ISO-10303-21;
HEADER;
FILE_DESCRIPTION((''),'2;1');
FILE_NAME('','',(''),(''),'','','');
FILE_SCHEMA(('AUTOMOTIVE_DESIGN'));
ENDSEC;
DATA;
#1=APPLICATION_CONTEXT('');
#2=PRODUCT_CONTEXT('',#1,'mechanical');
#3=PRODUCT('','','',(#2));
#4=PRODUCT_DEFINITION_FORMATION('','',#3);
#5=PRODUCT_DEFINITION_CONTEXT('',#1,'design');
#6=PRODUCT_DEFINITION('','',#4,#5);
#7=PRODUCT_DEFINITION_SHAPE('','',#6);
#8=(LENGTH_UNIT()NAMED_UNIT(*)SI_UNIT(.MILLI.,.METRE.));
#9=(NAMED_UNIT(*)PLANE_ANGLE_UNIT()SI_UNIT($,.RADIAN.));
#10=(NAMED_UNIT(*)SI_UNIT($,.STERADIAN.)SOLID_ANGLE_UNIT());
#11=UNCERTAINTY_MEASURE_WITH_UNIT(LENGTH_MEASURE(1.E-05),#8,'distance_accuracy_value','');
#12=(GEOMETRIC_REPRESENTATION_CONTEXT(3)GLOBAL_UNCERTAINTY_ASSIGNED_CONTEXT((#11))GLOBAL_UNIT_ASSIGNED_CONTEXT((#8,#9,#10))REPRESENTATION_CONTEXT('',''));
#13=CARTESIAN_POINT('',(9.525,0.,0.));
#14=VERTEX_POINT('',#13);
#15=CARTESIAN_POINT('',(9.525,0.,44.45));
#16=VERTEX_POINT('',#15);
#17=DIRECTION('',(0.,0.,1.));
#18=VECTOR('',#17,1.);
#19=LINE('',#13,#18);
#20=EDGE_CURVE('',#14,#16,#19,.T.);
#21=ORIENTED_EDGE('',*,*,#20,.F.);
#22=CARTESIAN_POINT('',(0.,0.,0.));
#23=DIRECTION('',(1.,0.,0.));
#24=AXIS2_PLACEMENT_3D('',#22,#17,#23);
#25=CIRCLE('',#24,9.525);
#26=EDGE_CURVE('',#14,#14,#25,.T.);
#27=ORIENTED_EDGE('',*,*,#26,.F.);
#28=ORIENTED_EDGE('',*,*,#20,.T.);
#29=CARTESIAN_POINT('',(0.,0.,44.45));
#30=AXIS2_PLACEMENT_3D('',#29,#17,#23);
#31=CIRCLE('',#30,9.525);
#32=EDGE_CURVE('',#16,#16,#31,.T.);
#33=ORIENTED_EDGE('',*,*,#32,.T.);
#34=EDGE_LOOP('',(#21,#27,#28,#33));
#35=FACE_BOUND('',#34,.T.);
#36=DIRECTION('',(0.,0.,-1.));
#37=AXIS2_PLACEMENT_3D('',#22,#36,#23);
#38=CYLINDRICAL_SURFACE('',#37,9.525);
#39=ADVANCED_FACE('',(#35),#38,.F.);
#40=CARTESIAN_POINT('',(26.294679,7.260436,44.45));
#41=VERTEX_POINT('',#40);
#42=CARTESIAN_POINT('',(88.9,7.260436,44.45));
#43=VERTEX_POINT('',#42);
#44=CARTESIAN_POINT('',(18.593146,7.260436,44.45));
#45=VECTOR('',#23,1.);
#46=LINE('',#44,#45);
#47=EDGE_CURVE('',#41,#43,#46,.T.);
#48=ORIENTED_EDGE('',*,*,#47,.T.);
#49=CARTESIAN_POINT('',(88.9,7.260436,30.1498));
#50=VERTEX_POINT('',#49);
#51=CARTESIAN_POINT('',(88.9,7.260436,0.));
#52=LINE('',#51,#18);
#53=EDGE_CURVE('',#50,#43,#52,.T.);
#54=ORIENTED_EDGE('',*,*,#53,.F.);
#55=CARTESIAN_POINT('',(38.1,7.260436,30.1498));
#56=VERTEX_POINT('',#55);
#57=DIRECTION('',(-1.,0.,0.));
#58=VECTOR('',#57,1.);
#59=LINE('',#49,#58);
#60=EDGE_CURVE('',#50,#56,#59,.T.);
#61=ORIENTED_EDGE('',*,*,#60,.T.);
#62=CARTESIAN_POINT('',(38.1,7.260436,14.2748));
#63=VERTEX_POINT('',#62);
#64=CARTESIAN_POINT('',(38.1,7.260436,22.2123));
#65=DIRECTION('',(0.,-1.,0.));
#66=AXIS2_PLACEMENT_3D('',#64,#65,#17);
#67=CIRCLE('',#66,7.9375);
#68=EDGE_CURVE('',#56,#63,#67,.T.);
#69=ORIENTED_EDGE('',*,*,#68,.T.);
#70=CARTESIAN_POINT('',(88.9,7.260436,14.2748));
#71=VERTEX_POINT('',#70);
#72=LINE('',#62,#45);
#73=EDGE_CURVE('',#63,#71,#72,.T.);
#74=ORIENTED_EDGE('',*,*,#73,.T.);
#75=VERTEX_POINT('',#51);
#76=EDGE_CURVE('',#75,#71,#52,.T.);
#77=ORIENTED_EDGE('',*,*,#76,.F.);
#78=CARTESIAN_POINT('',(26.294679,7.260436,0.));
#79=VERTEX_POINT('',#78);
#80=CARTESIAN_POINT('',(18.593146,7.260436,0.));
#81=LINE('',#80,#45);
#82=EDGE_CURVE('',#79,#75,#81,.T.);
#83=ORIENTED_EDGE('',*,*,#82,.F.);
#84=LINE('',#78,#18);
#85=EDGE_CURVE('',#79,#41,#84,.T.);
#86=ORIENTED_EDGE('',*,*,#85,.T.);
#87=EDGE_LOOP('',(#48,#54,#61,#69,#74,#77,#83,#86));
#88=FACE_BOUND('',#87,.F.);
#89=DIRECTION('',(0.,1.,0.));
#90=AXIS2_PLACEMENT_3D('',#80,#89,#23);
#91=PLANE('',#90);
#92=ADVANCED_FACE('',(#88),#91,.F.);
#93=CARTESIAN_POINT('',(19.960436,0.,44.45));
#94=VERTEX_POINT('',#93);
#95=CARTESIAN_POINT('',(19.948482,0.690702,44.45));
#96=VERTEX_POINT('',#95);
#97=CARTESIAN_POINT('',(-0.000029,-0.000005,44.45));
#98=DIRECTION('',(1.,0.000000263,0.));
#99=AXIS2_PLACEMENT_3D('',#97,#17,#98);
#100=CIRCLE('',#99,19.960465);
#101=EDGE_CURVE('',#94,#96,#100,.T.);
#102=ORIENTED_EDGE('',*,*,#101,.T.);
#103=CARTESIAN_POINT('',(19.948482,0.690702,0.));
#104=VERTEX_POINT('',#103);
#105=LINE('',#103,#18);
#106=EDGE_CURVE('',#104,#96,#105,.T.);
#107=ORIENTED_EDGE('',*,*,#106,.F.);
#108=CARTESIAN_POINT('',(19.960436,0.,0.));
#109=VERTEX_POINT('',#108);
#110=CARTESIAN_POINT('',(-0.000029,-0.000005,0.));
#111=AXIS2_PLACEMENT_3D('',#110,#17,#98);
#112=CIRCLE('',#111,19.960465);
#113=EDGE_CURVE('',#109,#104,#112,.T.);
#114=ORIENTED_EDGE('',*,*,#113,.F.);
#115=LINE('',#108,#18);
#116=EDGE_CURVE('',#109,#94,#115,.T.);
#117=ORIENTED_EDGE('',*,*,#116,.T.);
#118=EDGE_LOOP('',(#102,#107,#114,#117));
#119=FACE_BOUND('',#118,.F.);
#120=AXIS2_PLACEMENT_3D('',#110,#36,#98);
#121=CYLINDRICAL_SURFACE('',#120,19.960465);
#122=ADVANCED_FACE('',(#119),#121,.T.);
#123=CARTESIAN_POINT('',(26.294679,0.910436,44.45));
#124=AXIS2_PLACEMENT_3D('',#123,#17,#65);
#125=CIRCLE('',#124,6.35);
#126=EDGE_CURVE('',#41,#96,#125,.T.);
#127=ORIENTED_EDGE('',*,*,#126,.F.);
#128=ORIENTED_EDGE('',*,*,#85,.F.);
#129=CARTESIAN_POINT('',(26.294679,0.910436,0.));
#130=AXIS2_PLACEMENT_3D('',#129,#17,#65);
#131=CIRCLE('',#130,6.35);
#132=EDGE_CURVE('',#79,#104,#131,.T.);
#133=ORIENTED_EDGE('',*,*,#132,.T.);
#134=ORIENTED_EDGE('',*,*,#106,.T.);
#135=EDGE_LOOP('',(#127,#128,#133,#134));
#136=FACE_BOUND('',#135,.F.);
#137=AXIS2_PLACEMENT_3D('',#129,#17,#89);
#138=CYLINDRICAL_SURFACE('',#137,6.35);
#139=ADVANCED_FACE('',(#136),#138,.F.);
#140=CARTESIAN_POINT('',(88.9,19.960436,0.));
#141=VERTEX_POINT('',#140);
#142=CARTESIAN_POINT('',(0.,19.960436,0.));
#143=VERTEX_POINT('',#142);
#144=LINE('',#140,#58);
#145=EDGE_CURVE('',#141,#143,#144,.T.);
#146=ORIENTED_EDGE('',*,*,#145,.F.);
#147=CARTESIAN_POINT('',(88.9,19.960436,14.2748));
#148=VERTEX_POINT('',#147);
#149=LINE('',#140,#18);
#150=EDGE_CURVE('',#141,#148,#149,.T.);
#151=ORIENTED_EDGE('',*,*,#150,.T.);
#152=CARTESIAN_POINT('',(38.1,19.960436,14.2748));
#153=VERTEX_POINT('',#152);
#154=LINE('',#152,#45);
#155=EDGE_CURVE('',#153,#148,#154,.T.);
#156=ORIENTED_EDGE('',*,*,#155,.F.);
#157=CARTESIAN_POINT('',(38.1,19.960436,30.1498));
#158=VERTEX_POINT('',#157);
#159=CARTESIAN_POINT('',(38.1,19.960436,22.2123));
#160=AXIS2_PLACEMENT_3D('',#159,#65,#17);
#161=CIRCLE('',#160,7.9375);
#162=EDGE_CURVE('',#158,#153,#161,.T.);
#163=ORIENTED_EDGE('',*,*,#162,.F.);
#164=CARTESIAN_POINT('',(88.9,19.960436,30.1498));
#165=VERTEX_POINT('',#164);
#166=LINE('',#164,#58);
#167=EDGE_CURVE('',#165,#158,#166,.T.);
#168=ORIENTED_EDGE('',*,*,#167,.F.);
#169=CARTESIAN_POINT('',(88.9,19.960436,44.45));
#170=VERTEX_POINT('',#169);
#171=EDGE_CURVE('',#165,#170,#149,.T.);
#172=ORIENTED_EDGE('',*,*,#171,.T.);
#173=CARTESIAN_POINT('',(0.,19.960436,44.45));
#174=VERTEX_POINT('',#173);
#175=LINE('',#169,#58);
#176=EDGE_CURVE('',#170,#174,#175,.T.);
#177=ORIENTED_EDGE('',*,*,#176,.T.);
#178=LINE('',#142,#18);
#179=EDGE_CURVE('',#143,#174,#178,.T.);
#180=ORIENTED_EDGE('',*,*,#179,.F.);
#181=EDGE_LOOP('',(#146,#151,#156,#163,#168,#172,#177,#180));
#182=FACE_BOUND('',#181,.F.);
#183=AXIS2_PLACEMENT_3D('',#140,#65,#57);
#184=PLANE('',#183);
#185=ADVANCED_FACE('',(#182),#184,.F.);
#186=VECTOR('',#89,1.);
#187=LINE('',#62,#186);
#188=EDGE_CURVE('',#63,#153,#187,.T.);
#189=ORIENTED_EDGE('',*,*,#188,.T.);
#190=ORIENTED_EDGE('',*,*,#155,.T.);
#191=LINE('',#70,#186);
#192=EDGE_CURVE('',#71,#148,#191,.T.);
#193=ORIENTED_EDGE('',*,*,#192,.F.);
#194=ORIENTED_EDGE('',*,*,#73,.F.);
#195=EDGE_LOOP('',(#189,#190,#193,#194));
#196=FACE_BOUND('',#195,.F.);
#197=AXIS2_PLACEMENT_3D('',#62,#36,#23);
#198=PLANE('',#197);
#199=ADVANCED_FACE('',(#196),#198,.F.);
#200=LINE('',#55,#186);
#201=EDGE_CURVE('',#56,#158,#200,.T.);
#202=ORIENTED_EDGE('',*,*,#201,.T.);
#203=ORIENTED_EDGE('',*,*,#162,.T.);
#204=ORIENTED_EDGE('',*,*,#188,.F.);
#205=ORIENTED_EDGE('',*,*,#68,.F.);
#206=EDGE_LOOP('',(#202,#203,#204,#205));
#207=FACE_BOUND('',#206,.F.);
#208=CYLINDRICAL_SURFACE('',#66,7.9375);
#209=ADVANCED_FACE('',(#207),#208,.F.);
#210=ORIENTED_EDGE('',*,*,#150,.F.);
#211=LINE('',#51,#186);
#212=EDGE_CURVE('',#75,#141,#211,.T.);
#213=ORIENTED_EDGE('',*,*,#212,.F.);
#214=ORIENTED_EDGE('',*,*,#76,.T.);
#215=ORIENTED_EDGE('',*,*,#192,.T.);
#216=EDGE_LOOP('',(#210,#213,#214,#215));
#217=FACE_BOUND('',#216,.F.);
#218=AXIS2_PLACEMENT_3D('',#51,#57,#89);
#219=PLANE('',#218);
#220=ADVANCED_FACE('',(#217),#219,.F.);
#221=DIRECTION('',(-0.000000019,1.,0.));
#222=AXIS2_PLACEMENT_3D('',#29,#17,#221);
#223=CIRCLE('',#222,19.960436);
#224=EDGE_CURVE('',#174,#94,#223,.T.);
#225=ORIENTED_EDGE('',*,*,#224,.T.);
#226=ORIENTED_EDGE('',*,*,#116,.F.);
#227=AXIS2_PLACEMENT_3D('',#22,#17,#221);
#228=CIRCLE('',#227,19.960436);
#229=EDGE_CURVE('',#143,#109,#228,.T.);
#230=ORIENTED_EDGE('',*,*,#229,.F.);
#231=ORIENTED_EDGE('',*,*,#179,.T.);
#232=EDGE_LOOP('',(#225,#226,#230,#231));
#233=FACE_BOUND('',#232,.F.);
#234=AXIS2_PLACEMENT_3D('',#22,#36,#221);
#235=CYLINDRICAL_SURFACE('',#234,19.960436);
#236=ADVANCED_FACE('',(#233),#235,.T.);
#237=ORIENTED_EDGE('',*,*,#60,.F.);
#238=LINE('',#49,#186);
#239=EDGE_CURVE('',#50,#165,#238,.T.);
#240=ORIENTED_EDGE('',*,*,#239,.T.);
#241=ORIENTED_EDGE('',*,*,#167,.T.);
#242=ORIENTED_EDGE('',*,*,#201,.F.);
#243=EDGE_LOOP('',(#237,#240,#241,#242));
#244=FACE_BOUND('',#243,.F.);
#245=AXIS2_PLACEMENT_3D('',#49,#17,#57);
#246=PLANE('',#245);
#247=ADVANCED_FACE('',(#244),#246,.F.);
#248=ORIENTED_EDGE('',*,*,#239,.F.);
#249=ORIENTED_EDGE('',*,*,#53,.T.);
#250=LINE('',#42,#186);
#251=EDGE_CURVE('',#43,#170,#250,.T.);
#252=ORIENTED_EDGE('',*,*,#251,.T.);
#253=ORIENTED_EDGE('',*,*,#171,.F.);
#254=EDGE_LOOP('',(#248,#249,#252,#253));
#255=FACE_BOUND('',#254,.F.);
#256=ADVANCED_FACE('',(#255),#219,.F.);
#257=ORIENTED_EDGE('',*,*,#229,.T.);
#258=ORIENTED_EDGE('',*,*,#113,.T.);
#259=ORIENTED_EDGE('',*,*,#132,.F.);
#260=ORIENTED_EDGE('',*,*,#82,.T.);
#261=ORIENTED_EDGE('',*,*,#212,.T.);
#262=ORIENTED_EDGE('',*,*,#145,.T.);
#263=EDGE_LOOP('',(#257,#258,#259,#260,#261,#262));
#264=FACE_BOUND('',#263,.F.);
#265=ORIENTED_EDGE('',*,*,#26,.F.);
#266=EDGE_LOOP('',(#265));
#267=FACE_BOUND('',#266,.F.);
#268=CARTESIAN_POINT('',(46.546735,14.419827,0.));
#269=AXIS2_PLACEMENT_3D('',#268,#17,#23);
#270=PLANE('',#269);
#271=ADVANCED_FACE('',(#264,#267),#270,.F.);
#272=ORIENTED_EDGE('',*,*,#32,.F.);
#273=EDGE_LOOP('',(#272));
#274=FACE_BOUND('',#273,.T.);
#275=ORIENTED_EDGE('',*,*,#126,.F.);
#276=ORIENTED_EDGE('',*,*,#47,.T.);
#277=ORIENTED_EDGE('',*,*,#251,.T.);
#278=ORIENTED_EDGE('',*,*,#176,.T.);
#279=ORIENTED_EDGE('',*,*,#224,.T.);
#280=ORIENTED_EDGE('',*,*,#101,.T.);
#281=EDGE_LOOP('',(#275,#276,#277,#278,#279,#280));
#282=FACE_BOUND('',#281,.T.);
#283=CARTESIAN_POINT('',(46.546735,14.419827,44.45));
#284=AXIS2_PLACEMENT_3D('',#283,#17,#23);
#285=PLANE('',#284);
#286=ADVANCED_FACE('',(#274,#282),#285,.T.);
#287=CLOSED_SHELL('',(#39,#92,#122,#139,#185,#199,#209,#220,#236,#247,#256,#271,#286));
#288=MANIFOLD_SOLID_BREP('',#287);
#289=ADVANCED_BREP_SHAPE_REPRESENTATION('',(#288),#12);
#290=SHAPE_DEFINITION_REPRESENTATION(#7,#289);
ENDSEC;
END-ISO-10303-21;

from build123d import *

# Parameters (mm, degrees)
F0_R     = 9.525
F1_DEPTH = 44.45
F3_DEPTH = 12.7
F4_R     = 6.35


with BuildPart() as f1:
    # F0 (on Top) → F1 (new body)
    with BuildSketch(Plane.XY):
        with BuildLine():
            ThreePointArc((0, 19.960436), (11.258275, 16.482422), (18.593146, 7.260436))
            Line((18.593146, 7.260436), (88.9, 7.260436))
            Line((88.9, 7.260436), (88.9, 19.960436))
            Line((88.9, 19.960436), (0, 19.960436))
        make_face()
        with BuildLine():
            ThreePointArc((0, 19.960436), (-14.114159, -14.114159), (19.960436, 0))
            ThreePointArc((19.960436, 0), (19.615635, 3.694029), (18.593146, 7.260436))
            ThreePointArc((18.593146, 7.260436), (11.258275, 16.482422), (0, 19.960436))
        make_face()
        Circle(F0_R, mode=Mode.SUBTRACT)
    extrude(amount=F1_DEPTH)

    # F2 (on face) → F3 (cut)
    with BuildSketch(Plane.XZ.offset(-7.260436)):
        with BuildLine():
            Line((88.9, 14.2748), (88.9, 30.1498))
            Line((88.9, 30.1498), (38.1, 30.1498))
            ThreePointArc((38.1, 30.1498), (43.71266, 27.82496), (46.0375, 22.2123))
            ThreePointArc((46.0375, 22.2123), (43.71266, 16.59964), (38.1, 14.2748))
            Line((38.1, 14.2748), (88.9, 14.2748))
        make_face()
        with BuildLine():
            Line((38.1, 14.2748), (38.1, 30.1498))
            ThreePointArc((38.1, 30.1498), (30.1625, 22.2123), (38.1, 14.2748))
        make_face()
        with BuildLine():
            ThreePointArc((46.0375, 22.2123), (43.71266, 27.82496), (38.1, 30.1498))
            Line((38.1, 30.1498), (38.1, 14.2748))
            ThreePointArc((38.1, 14.2748), (43.71266, 16.59964), (46.0375, 22.2123))
        make_face()
    extrude(amount=-F3_DEPTH, mode=Mode.SUBTRACT)

    # F4
    f4_edges = [f1.edges().sort_by_distance(p)[0] for p in [
        (18.593146, 7.260436, 22.225),
    ]]
    fillet(f4_edges, radius=F4_R)


solid = f1.part
